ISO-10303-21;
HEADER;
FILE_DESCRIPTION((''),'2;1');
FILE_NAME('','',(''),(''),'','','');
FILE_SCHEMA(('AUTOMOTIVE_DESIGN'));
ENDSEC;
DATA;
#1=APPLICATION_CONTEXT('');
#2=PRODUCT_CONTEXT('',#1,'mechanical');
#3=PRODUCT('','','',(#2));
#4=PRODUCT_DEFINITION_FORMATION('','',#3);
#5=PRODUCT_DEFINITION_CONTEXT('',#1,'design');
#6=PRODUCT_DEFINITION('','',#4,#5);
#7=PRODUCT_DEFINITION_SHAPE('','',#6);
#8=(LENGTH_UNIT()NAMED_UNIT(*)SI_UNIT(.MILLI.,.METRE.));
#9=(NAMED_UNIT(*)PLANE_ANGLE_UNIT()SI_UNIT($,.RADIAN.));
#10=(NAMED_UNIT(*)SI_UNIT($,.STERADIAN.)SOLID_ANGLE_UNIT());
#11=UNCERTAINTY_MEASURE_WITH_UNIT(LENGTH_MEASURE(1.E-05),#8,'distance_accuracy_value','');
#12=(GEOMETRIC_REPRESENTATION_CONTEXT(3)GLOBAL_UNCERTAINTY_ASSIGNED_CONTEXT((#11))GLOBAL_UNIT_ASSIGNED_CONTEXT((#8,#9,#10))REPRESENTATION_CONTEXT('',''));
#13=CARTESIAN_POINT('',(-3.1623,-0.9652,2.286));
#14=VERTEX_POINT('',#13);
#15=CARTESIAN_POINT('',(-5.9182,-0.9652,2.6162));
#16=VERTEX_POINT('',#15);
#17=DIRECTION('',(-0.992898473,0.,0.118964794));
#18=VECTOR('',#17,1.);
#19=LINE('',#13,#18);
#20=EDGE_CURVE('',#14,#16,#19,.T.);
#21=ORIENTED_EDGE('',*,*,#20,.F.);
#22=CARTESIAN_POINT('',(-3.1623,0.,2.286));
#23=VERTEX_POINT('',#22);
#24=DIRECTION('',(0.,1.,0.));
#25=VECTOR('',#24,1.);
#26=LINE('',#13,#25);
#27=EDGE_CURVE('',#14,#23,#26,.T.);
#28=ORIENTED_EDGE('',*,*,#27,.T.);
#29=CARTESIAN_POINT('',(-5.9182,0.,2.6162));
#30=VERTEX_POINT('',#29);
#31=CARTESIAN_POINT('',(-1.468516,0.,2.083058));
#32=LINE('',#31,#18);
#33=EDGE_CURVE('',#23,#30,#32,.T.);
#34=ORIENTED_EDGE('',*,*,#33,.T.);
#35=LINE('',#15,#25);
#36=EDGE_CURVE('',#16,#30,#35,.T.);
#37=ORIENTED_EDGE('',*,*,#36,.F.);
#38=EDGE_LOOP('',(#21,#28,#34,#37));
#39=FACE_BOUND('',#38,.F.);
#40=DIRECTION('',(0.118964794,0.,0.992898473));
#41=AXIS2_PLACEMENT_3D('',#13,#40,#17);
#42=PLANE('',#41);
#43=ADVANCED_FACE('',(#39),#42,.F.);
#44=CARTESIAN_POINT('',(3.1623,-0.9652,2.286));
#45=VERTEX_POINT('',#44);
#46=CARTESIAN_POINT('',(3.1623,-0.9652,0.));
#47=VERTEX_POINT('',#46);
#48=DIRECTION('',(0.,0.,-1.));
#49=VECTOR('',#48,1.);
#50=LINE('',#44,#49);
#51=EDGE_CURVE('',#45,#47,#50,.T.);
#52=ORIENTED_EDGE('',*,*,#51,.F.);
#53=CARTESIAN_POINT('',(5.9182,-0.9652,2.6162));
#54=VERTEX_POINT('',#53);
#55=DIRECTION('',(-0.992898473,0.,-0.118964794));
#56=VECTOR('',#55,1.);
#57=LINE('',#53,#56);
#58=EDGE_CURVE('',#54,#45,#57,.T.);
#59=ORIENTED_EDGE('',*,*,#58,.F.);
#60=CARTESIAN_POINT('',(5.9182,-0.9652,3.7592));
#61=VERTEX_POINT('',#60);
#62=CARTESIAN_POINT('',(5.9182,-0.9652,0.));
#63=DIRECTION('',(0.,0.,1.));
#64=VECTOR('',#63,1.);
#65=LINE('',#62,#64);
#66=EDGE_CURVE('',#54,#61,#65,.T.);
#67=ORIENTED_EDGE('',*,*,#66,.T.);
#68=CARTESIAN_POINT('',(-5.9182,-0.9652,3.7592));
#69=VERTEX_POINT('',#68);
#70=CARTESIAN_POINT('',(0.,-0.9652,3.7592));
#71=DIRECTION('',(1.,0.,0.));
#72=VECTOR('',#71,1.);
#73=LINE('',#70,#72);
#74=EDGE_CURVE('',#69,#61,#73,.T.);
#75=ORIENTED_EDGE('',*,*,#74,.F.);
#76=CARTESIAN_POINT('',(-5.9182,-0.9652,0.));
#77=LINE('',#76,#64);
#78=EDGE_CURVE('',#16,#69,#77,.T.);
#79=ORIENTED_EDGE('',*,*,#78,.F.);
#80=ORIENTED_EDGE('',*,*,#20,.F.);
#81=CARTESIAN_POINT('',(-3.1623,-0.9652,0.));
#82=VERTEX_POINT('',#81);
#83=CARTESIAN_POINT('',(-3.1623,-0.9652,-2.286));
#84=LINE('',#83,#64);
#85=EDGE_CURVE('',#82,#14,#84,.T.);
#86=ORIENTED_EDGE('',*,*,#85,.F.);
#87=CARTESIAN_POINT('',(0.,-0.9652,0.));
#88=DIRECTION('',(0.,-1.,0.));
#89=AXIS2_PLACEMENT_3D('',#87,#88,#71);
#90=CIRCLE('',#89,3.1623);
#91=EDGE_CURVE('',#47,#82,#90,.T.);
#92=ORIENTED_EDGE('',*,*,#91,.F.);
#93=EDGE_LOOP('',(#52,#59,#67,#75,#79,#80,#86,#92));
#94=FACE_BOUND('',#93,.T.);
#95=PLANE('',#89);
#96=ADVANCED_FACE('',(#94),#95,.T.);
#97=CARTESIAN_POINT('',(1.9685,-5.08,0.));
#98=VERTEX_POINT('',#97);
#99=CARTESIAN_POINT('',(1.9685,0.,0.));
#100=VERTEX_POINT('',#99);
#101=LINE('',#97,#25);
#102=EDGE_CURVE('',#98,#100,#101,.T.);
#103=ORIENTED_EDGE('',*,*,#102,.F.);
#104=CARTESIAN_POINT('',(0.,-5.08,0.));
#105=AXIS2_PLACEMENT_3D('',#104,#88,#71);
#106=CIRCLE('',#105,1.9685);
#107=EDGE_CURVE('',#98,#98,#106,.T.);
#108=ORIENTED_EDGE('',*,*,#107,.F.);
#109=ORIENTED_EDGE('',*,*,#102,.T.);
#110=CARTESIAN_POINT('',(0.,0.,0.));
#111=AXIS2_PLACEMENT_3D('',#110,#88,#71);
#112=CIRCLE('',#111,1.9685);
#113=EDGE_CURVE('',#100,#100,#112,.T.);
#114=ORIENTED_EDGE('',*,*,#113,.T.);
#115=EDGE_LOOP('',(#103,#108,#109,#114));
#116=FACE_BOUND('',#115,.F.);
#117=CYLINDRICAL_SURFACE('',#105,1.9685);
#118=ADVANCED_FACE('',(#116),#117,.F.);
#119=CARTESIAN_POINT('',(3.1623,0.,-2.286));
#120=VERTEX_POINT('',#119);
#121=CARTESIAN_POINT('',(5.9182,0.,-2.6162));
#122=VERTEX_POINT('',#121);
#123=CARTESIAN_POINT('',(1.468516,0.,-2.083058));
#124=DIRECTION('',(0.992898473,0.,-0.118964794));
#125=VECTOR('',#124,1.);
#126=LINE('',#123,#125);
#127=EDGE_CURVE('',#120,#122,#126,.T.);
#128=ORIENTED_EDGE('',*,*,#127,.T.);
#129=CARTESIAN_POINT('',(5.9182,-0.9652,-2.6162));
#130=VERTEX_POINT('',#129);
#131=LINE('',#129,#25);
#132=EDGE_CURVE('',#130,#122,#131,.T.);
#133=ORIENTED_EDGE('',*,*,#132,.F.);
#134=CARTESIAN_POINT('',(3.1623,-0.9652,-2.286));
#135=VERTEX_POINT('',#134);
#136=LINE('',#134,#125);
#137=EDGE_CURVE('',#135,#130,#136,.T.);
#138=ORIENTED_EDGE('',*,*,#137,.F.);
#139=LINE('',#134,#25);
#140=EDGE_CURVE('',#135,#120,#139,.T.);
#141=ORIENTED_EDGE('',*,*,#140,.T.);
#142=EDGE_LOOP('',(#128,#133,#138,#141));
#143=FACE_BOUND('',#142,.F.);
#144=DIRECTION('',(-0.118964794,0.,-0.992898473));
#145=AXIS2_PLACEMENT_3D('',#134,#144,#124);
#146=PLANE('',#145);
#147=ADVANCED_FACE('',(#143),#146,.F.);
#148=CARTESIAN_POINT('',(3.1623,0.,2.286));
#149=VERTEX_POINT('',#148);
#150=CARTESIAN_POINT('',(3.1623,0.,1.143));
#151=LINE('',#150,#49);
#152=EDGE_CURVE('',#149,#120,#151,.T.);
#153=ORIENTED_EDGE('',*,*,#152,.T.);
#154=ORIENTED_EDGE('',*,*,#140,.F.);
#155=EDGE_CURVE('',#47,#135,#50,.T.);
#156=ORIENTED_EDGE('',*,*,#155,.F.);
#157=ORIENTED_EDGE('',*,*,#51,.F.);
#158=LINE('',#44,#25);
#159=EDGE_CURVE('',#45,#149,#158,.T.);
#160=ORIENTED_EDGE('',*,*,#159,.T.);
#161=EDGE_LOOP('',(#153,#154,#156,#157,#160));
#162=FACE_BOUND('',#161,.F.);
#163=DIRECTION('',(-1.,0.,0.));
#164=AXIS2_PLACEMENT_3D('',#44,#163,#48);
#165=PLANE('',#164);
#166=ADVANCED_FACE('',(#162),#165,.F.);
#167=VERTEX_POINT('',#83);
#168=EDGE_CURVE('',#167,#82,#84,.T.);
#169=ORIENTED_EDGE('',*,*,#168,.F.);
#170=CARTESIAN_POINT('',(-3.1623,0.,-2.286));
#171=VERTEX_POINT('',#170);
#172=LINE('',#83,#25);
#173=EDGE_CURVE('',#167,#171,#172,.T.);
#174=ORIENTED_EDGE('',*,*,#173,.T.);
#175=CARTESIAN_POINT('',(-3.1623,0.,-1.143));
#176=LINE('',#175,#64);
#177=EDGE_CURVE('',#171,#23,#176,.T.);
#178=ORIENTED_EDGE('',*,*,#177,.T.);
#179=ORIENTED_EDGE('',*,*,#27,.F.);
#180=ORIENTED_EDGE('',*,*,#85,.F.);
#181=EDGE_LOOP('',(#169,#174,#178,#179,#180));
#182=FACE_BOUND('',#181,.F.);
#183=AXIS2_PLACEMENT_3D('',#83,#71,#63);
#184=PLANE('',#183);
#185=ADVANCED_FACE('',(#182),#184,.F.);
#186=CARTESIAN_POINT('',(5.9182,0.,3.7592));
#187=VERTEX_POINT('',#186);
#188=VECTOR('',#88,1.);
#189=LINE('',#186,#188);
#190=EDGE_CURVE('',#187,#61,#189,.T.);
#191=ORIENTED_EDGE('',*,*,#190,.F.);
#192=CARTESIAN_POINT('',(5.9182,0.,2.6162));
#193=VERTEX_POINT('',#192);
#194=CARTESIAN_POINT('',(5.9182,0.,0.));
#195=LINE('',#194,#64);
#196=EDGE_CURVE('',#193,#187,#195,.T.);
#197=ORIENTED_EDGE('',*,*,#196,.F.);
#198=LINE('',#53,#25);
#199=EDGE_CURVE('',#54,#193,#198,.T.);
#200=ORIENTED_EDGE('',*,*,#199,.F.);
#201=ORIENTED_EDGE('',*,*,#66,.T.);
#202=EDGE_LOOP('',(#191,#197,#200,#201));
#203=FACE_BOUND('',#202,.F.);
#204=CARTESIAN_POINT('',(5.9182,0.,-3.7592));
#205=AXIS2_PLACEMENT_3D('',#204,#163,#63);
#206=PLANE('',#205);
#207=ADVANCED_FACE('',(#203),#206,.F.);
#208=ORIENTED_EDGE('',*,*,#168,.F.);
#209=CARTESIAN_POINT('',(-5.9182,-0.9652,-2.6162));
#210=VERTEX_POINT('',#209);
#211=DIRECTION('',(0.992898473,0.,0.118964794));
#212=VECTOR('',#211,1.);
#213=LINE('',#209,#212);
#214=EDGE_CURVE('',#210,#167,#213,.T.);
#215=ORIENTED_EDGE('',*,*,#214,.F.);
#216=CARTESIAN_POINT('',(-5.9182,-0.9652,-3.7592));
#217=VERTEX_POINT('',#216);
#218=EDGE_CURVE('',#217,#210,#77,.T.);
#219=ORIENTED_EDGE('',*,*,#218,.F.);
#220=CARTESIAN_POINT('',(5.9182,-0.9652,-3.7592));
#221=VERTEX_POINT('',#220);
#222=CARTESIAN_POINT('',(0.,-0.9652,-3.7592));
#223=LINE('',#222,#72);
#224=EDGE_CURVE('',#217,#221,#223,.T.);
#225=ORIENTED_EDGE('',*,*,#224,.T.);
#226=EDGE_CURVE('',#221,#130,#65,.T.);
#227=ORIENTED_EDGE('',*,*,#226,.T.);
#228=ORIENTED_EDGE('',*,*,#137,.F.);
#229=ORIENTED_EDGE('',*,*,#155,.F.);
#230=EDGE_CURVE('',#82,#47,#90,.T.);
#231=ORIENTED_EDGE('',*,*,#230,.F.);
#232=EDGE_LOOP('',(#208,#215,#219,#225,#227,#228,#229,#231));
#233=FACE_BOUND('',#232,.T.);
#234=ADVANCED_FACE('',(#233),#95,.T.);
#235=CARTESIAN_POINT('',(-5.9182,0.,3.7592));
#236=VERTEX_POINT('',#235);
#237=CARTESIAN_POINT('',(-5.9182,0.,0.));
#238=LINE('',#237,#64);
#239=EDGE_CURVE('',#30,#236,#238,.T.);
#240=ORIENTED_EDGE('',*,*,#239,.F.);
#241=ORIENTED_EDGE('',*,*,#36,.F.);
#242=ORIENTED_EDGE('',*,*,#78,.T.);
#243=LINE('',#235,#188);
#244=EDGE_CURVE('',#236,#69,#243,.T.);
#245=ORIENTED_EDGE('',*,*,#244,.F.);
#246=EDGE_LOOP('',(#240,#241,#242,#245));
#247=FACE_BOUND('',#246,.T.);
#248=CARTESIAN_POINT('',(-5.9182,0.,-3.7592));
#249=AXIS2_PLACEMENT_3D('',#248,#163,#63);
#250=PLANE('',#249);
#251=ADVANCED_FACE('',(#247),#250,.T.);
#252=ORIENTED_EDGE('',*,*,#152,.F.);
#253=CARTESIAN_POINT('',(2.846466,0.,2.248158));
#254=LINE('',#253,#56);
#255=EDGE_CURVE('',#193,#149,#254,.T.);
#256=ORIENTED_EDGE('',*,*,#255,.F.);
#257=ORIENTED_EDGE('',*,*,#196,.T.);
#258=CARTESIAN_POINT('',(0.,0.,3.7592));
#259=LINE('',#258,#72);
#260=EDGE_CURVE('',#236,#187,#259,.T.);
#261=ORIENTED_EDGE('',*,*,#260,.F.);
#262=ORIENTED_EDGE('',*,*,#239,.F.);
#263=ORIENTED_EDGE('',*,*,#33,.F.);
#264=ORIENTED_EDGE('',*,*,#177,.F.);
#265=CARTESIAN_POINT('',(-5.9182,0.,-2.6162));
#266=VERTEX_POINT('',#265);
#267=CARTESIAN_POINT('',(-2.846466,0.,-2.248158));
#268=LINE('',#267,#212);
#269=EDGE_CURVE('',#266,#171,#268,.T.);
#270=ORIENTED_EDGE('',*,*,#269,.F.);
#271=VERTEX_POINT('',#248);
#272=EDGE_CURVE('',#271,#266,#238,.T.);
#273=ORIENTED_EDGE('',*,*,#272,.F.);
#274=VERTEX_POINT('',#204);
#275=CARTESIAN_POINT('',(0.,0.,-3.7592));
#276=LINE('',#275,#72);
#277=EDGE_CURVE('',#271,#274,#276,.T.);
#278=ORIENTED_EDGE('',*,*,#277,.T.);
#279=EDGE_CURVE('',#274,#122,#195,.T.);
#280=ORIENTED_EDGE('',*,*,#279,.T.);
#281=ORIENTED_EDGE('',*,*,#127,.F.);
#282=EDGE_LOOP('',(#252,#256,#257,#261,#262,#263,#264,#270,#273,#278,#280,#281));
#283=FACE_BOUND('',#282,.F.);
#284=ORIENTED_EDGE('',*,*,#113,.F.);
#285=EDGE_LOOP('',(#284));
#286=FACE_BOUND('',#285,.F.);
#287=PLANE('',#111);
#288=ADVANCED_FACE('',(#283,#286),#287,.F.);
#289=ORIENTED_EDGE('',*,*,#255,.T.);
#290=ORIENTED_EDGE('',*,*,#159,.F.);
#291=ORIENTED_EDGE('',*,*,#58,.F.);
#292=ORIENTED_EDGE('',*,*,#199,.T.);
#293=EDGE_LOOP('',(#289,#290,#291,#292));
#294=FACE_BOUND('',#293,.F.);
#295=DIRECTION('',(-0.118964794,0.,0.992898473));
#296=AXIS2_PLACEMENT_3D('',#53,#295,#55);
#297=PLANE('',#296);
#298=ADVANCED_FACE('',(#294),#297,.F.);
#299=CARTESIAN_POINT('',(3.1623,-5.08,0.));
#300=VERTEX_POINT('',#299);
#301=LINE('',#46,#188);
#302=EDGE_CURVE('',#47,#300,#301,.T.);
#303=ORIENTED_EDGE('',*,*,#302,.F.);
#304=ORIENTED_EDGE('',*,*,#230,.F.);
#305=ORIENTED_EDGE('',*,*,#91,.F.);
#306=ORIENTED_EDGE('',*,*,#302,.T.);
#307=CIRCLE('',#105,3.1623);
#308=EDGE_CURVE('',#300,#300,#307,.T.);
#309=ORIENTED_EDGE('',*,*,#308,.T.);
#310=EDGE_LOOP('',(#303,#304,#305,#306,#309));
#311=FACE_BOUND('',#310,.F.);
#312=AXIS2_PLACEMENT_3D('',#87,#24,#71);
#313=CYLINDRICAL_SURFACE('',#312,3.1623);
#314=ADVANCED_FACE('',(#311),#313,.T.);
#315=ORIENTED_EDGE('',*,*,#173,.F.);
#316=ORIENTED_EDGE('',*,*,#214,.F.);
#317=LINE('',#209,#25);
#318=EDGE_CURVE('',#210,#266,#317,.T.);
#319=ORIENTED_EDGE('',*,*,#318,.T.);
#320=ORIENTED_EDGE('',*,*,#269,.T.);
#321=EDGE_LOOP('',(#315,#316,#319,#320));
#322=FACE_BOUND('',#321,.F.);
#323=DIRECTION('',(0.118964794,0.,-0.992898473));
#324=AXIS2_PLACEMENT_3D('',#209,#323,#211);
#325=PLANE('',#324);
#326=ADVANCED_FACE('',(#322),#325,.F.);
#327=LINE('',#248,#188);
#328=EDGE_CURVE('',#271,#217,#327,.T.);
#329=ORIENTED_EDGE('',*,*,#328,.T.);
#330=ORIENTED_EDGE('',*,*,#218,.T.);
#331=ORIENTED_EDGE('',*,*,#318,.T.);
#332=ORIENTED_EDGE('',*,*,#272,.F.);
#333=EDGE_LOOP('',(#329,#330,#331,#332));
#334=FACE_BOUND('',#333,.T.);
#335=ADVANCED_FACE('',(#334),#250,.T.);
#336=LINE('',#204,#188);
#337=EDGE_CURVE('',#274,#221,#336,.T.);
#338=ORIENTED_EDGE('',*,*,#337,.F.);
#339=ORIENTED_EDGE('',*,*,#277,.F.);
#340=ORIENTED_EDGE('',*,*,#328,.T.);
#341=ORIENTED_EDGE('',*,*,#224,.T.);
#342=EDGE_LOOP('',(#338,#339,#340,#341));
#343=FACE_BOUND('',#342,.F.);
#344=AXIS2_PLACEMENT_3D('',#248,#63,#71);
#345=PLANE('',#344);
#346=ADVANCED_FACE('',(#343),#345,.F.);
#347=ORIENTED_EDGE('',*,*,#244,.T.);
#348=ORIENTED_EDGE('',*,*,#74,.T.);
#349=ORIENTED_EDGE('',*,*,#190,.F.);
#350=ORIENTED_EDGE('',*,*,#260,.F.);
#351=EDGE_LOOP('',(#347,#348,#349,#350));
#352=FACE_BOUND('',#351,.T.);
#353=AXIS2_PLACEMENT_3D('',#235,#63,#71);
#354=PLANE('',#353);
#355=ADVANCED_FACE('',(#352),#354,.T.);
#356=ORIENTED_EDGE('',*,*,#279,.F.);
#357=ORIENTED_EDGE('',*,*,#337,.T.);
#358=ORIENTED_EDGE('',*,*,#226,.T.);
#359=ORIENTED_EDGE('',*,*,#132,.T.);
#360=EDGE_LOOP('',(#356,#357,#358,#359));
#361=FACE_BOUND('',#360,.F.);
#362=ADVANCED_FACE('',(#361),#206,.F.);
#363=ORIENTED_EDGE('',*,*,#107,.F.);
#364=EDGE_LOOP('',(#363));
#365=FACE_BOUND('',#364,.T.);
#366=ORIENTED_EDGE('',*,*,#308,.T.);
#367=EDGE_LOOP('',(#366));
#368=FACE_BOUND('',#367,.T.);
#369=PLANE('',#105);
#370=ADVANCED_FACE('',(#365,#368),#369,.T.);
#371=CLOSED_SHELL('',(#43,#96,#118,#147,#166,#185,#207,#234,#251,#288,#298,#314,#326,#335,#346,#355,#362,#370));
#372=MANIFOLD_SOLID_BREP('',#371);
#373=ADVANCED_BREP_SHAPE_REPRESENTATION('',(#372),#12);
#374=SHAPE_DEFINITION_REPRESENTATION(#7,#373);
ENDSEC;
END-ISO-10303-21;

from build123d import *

# Parameters (mm, degrees)
F0_W     = 11.8364
F0_H     = 7.5184
F1_DEPTH = 0.9652
F2_R     = 3.1623
F3_DEPTH = 4.1148
F4_R     = 1.9685
F5_DEPTH = 5.081
F7_DEPTH = 0.9662


with BuildPart() as f1:
    # F0 (on Front) → F1 (new body)
    with BuildSketch(Plane.XZ):
        Rectangle(F0_W, F0_H)
    extrude(amount=F1_DEPTH)

    # F2 (on face) → F3 (join)
    with BuildSketch(Plane.XZ.offset(0.9652)):
        Circle(F2_R)
    extrude(amount=F3_DEPTH)

    # F4 (on face) → F5 (cut, through all)
    with BuildSketch(Plane.XZ.offset(5.08)):
        Circle(F4_R)
    extrude(amount=-F5_DEPTH, mode=Mode.SUBTRACT)

    # F6 (on face) → F7 (cut, through all)
    with BuildSketch(Plane.XZ.offset(0.9652)):
        Polygon((-3.1623, -2.286), (-3.1623, 0), (-3.1623, 2.286), (-5.9182, 2.6162), (-5.9182, -2.6162), align=None)
        Polygon((3.1623, 2.286), (3.1623, 0), (3.1623, -2.286), (5.9182, -2.6162), (5.9182, 2.6162), align=None)
    extrude(amount=-F7_DEPTH, mode=Mode.SUBTRACT)


solid = f1.part
